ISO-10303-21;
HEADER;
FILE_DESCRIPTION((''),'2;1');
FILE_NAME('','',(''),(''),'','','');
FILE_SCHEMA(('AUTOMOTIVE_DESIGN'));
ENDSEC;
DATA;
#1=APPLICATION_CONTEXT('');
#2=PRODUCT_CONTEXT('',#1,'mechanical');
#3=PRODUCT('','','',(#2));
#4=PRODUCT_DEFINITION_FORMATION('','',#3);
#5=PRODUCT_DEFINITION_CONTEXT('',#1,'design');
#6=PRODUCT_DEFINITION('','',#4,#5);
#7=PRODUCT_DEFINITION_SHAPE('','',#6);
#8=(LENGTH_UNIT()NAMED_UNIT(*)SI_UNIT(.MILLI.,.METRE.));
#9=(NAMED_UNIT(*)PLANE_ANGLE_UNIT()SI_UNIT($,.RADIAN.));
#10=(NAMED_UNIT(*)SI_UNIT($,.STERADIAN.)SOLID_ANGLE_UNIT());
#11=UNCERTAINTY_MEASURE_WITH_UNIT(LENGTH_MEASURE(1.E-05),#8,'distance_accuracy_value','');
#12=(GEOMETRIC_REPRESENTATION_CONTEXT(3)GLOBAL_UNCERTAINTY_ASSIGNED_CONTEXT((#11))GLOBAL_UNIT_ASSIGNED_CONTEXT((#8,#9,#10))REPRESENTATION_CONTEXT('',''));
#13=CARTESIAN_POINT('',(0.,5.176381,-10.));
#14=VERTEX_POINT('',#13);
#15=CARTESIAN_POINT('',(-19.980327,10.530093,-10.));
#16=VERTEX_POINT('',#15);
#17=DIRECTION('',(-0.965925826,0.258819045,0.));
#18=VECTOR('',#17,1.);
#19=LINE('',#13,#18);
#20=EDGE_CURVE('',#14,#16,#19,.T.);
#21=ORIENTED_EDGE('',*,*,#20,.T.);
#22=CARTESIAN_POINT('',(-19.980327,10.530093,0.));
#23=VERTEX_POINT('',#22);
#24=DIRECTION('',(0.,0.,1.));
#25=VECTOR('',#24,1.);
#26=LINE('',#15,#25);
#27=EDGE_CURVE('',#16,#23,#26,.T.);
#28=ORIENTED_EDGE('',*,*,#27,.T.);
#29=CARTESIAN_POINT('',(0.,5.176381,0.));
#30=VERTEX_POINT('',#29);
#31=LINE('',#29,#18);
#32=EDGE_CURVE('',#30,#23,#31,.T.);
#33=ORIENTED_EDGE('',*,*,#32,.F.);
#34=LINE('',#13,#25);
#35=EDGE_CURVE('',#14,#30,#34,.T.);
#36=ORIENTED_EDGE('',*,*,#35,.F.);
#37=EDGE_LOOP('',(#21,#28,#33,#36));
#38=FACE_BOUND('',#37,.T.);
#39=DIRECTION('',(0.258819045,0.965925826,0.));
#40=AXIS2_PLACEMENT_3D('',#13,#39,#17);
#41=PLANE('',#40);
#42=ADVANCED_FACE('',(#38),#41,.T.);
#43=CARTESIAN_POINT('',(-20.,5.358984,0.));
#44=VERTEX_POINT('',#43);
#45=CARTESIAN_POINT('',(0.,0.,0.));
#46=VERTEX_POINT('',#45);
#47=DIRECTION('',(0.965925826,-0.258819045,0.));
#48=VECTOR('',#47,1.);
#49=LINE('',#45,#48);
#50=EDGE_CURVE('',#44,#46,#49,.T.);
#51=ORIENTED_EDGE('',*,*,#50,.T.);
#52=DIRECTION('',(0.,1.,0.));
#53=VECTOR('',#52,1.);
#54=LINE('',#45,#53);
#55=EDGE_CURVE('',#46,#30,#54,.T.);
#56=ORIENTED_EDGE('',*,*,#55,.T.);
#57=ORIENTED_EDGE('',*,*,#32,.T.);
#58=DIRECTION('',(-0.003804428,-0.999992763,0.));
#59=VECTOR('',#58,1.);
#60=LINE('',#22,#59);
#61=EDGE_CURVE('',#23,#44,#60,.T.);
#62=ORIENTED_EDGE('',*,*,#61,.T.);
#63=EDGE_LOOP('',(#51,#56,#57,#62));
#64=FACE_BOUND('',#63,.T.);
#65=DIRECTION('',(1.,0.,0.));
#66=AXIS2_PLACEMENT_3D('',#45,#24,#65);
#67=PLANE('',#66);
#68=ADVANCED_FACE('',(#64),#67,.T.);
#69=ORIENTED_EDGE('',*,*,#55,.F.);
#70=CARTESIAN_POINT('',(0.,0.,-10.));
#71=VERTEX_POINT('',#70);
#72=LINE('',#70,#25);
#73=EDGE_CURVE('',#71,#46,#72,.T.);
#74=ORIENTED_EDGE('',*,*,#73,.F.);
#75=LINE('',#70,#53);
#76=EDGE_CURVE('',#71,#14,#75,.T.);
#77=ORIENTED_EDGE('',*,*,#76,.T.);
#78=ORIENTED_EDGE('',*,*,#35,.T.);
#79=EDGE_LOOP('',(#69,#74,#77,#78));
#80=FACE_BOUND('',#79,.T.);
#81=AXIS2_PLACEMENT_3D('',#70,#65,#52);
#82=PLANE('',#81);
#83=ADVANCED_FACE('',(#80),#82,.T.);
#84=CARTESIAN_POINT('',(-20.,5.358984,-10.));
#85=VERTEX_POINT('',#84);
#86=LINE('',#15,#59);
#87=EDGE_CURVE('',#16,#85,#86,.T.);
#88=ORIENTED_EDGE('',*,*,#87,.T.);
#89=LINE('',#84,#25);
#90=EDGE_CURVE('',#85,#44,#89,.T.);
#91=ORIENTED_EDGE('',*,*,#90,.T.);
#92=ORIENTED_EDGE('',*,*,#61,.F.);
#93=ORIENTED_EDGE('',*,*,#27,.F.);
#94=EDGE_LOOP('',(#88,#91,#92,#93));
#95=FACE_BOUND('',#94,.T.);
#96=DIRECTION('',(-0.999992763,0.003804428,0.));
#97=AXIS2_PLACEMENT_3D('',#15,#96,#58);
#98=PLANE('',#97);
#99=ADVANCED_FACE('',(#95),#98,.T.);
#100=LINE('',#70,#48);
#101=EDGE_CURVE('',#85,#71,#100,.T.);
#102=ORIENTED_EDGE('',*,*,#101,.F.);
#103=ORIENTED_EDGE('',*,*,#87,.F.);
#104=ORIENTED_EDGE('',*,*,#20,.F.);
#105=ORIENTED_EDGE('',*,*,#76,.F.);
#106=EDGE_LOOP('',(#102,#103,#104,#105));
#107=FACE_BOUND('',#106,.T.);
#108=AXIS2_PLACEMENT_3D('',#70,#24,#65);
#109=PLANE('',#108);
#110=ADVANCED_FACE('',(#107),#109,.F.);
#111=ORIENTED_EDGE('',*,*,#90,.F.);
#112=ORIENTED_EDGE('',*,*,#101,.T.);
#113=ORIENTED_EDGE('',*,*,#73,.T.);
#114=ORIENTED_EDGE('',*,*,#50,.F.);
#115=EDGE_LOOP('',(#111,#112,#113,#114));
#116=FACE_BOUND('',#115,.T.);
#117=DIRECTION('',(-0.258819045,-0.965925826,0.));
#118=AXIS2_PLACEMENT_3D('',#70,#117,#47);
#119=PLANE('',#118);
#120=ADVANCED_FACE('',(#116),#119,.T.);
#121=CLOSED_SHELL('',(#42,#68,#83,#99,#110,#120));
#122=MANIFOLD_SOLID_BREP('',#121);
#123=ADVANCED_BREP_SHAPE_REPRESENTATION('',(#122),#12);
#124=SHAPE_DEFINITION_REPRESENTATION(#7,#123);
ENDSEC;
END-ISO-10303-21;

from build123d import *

# Parameters (mm, degrees)
EXTRUDE_1_DEPTH = 10


with BuildPart() as part:
    # Эскиз1 → Бобышка-Вытянуть1 (new body)
    with BuildSketch(Plane.XY):
        Polygon((0, 0), (0, 5.176380902), (-19.980326746, 10.530093318), (-20, 5.358983849), align=None)
    extrude(amount=-EXTRUDE_1_DEPTH)


solid = part.part
